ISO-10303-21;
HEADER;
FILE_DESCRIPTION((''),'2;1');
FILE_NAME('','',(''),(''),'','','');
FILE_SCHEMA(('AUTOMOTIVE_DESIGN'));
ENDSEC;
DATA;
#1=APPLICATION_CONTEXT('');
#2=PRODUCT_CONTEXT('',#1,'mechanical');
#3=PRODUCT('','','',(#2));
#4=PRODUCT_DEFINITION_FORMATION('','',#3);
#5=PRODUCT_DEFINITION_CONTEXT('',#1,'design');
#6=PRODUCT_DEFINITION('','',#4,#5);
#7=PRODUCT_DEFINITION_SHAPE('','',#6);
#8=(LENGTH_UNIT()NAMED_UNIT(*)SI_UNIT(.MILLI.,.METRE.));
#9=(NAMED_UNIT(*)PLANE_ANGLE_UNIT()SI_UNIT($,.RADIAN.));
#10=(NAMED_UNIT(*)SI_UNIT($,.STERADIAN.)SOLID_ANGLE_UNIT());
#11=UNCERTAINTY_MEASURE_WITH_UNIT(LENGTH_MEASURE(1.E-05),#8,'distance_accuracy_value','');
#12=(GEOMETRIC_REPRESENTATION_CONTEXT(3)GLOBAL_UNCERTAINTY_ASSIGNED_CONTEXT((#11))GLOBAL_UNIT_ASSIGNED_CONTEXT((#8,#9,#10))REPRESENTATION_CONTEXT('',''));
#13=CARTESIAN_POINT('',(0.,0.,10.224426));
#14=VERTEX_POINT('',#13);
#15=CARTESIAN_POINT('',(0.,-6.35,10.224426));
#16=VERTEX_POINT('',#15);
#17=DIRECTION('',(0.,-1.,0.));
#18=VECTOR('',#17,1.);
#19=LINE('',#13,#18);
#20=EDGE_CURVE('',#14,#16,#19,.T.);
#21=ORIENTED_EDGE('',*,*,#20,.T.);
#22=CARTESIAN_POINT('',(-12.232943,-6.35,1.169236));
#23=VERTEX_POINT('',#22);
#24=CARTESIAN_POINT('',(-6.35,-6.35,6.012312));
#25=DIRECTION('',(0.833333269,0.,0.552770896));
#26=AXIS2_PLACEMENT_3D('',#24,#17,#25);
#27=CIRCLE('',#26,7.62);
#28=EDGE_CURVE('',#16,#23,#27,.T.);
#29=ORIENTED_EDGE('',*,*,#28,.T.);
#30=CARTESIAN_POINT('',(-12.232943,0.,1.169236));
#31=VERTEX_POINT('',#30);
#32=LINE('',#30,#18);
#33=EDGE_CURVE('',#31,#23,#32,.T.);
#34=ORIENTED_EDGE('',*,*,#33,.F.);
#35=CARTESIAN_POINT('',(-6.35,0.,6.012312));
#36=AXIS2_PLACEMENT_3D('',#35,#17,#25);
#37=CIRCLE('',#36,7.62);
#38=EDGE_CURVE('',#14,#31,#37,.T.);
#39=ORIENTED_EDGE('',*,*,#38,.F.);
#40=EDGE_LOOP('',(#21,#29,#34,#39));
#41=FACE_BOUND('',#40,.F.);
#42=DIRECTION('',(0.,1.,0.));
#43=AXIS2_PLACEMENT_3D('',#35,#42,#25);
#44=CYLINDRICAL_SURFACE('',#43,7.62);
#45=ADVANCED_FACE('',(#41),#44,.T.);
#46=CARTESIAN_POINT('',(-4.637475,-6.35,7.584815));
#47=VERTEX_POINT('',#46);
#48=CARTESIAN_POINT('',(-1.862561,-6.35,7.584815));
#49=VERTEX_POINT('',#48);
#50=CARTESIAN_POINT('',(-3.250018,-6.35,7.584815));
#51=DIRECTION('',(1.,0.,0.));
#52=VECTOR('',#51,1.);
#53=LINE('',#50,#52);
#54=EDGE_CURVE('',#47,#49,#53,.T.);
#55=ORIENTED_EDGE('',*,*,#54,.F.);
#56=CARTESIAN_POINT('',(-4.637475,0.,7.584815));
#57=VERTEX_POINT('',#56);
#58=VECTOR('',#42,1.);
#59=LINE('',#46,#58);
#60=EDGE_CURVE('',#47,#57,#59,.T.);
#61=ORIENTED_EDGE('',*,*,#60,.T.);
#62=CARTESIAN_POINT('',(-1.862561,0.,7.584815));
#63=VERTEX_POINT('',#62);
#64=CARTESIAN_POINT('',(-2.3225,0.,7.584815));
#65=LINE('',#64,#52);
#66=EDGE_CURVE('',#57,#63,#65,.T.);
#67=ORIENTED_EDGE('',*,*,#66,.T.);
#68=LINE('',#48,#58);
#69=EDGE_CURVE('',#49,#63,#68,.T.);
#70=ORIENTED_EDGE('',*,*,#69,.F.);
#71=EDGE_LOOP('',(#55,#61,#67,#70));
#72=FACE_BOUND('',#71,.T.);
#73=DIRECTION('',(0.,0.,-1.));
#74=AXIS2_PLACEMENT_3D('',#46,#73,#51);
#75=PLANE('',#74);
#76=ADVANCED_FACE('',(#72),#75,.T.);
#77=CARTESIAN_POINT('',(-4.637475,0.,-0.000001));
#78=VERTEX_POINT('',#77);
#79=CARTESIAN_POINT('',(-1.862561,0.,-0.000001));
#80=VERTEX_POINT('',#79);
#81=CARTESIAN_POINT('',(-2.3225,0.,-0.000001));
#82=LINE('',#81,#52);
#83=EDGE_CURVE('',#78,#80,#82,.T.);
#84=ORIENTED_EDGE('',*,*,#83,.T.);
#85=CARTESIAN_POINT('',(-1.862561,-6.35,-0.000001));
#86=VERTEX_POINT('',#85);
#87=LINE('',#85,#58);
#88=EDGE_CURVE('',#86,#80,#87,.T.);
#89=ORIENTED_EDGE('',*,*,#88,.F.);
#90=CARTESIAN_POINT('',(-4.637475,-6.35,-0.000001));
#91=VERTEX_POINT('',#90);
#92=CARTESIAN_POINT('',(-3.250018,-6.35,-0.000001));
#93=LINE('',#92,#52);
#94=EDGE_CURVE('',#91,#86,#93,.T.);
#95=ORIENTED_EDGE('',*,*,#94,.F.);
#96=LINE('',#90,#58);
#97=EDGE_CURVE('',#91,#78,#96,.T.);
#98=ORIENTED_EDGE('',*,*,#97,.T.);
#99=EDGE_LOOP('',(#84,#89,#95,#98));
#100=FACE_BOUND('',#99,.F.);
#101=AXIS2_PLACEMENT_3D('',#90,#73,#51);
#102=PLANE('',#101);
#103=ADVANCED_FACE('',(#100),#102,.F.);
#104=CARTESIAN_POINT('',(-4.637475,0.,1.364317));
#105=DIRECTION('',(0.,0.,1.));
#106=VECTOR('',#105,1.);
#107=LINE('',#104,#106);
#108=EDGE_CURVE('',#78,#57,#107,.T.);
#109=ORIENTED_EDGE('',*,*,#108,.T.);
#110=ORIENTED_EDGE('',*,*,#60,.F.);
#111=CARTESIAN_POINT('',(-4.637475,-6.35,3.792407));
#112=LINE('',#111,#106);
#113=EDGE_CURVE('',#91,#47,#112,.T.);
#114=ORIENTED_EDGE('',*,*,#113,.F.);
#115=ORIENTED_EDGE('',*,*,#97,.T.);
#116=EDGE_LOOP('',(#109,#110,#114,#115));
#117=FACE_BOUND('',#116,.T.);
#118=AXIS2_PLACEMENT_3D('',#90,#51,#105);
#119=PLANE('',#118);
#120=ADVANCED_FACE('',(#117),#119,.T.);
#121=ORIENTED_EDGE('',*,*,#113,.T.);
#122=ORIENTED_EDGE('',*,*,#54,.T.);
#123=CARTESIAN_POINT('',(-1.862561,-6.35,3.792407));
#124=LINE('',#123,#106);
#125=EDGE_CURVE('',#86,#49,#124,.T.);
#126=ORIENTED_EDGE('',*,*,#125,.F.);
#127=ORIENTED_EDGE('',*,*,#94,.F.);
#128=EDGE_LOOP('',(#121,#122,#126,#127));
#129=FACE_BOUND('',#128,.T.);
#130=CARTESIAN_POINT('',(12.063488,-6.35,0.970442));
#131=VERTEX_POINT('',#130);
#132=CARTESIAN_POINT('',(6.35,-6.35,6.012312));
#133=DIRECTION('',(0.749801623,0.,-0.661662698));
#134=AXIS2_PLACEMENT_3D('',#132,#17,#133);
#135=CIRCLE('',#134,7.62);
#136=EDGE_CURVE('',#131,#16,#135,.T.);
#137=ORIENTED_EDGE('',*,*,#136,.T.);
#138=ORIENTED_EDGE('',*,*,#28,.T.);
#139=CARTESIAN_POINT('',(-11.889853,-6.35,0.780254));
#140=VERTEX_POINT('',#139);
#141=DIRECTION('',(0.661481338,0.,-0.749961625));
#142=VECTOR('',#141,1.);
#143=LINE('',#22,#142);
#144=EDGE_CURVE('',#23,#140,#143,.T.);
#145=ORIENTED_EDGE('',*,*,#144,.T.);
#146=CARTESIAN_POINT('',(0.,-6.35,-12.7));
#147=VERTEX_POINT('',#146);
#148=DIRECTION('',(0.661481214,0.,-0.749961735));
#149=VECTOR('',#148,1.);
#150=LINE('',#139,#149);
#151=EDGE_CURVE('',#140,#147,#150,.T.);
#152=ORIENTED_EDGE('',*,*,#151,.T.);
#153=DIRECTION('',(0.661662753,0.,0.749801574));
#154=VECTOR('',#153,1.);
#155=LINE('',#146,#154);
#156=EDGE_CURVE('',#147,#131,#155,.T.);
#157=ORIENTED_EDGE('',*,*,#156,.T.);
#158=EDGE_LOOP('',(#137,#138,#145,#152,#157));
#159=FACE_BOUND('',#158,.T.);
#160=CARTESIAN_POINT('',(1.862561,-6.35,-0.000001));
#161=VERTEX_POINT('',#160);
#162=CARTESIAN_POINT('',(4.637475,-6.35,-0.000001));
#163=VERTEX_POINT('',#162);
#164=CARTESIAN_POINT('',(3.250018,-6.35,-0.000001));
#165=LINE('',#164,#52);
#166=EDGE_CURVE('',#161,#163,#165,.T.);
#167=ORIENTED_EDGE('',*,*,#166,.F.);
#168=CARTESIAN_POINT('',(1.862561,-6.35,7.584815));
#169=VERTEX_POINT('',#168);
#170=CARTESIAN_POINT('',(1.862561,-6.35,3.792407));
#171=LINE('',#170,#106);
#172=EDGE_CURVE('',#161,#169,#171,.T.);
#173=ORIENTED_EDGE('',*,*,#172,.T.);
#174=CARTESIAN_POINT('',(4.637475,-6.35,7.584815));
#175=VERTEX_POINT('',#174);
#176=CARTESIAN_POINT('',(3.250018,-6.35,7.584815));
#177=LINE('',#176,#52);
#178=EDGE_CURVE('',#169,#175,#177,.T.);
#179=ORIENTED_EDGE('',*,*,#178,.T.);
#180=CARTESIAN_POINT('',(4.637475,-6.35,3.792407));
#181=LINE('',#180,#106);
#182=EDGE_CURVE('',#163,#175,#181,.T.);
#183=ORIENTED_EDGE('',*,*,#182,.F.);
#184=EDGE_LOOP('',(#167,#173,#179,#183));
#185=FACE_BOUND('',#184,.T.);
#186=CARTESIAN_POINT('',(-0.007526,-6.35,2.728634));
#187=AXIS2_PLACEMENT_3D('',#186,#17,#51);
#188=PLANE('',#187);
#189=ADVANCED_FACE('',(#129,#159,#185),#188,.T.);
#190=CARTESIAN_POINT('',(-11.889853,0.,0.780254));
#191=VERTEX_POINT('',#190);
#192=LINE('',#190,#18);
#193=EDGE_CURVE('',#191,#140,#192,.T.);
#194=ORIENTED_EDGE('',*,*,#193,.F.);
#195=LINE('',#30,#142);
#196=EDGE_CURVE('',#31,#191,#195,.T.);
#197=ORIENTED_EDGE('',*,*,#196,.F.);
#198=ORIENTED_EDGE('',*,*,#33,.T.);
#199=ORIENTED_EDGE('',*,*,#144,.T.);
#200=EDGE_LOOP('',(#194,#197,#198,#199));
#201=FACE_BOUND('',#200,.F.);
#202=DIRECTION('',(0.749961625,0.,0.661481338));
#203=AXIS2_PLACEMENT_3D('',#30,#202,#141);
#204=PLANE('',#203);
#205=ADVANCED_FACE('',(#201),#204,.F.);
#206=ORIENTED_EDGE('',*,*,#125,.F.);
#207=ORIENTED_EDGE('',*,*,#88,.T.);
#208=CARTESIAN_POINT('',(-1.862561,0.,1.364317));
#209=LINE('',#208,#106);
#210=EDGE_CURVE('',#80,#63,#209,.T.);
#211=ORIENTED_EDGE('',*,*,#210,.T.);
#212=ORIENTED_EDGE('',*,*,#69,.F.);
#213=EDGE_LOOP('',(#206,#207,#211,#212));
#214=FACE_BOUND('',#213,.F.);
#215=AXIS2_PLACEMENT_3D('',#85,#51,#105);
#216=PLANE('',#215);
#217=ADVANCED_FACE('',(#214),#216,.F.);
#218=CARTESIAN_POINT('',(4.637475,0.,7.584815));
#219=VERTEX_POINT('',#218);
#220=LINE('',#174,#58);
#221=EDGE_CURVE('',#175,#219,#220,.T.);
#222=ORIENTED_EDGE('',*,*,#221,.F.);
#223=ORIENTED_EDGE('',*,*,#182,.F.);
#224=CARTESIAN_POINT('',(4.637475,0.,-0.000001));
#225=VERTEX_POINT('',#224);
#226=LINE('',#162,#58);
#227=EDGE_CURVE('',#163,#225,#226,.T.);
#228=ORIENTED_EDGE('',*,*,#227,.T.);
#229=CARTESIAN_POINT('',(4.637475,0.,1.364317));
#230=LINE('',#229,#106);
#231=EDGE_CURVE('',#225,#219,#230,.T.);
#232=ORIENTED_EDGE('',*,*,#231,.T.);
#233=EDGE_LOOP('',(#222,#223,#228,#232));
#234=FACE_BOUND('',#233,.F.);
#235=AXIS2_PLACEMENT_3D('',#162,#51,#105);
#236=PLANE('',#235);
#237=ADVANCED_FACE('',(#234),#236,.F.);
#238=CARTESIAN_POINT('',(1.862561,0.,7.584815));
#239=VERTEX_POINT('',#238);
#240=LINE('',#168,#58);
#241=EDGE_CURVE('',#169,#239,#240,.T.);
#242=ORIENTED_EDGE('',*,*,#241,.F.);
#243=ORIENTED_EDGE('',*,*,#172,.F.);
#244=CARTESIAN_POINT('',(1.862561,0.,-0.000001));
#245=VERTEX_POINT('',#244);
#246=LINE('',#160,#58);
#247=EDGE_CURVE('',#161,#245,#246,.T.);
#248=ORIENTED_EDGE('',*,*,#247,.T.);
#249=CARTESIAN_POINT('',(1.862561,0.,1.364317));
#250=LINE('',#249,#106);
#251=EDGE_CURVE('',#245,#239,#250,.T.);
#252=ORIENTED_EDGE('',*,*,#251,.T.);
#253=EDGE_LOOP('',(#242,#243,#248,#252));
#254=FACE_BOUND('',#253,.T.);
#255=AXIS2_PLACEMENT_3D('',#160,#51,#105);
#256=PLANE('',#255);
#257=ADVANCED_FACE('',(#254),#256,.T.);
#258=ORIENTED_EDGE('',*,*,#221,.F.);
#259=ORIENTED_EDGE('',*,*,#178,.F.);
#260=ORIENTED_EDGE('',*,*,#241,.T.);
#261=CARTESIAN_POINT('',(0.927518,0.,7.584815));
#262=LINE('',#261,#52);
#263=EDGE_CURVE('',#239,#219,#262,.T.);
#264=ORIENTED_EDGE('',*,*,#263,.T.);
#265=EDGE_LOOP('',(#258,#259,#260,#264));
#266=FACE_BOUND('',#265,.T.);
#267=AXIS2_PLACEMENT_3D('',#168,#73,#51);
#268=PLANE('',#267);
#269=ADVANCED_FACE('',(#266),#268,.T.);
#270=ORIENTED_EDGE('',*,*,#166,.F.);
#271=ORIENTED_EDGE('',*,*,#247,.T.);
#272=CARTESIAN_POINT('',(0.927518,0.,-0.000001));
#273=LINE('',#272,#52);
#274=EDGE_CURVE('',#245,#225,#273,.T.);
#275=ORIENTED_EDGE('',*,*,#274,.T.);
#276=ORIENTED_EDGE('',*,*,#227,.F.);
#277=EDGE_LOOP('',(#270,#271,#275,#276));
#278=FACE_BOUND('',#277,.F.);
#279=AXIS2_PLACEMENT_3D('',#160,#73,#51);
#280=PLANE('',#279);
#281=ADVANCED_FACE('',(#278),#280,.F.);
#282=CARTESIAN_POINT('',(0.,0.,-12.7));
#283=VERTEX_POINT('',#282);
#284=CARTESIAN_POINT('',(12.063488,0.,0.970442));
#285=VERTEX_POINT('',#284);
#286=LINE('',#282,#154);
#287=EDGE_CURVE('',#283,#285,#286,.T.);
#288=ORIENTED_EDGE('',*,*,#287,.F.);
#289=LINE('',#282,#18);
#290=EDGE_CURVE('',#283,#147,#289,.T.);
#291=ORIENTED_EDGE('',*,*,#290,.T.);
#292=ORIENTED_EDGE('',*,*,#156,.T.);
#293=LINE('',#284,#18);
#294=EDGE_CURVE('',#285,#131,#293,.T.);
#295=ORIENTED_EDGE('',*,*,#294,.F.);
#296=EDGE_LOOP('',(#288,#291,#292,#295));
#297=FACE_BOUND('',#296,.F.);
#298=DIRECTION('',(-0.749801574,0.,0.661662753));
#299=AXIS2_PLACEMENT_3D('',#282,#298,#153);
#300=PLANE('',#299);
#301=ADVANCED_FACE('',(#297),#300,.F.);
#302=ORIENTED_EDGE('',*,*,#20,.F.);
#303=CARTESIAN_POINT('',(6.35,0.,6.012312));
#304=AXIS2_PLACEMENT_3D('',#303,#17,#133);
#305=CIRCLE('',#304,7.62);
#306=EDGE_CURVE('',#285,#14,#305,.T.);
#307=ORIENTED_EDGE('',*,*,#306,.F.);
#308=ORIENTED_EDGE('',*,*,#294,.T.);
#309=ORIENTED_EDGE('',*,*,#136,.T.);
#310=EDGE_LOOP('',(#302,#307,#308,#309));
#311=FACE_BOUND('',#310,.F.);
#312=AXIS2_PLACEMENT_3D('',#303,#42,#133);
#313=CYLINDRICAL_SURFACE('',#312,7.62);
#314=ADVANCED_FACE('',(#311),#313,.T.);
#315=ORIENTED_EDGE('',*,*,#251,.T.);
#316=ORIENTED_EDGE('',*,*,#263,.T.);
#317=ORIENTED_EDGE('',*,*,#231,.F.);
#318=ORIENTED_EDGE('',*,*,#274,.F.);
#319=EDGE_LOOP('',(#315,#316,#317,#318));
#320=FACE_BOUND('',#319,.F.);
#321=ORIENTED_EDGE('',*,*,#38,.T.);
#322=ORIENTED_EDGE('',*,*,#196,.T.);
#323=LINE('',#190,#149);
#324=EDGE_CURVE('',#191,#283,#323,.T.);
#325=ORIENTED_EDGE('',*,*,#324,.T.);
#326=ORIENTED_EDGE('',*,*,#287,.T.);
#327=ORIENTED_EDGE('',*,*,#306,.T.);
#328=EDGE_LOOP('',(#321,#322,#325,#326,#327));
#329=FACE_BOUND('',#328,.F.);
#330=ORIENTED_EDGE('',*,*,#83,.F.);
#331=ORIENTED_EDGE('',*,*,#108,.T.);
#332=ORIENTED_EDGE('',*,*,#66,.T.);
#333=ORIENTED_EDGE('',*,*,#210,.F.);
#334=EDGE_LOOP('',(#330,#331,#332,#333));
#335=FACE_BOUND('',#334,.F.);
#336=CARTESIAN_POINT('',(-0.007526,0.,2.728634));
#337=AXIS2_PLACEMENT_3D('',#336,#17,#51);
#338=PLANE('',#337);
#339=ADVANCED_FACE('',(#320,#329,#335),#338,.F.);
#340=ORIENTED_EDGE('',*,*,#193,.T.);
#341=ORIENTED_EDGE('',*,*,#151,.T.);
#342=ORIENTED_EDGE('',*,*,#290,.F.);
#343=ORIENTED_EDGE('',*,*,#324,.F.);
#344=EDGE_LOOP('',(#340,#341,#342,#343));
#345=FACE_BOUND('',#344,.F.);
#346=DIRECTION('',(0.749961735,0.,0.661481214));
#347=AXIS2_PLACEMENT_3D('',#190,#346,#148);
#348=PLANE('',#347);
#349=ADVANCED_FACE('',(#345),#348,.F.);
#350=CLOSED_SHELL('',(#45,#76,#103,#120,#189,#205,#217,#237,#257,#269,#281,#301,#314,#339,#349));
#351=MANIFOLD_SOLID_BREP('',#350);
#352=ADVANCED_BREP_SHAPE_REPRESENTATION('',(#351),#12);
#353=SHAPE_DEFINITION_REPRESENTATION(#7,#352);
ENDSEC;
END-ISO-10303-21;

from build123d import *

# Parameters (mm, degrees)
F1_DEPTH = 6.35
F2_W     = 2.774914
F2_H     = 7.584815
F3_DEPTH = 25.4


with BuildPart() as f1:
    # F0 (on Front) → F1 (new body)
    with BuildSketch(Plane.XZ):
        with BuildLine():
            ThreePointArc((12.063488, 0.970442), (10.987924, 12.058307), (0, 10.224426))
            ThreePointArc((0, 10.224426), (-10.883613, 12.136914), (-12.232943, 1.169236))
            Line((-12.232943, 1.169236), (-11.889853, 0.780254))
            Line((-11.889853, 0.780254), (0, -12.7))
            Line((0, -12.7), (12.063488, 0.970442))
        make_face()
    extrude(amount=F1_DEPTH)

    # F2 (on face) → F3 (cut)
    with BuildSketch(Plane.XZ.offset(6.35)):
        with Locations((-3.250018, 3.792407)):
            Rectangle(F2_W, F2_H)
        with Locations((3.250018, 3.792407)):
            Rectangle(F2_W, F2_H)
    extrude(amount=-F3_DEPTH, mode=Mode.SUBTRACT)


solid = f1.part
